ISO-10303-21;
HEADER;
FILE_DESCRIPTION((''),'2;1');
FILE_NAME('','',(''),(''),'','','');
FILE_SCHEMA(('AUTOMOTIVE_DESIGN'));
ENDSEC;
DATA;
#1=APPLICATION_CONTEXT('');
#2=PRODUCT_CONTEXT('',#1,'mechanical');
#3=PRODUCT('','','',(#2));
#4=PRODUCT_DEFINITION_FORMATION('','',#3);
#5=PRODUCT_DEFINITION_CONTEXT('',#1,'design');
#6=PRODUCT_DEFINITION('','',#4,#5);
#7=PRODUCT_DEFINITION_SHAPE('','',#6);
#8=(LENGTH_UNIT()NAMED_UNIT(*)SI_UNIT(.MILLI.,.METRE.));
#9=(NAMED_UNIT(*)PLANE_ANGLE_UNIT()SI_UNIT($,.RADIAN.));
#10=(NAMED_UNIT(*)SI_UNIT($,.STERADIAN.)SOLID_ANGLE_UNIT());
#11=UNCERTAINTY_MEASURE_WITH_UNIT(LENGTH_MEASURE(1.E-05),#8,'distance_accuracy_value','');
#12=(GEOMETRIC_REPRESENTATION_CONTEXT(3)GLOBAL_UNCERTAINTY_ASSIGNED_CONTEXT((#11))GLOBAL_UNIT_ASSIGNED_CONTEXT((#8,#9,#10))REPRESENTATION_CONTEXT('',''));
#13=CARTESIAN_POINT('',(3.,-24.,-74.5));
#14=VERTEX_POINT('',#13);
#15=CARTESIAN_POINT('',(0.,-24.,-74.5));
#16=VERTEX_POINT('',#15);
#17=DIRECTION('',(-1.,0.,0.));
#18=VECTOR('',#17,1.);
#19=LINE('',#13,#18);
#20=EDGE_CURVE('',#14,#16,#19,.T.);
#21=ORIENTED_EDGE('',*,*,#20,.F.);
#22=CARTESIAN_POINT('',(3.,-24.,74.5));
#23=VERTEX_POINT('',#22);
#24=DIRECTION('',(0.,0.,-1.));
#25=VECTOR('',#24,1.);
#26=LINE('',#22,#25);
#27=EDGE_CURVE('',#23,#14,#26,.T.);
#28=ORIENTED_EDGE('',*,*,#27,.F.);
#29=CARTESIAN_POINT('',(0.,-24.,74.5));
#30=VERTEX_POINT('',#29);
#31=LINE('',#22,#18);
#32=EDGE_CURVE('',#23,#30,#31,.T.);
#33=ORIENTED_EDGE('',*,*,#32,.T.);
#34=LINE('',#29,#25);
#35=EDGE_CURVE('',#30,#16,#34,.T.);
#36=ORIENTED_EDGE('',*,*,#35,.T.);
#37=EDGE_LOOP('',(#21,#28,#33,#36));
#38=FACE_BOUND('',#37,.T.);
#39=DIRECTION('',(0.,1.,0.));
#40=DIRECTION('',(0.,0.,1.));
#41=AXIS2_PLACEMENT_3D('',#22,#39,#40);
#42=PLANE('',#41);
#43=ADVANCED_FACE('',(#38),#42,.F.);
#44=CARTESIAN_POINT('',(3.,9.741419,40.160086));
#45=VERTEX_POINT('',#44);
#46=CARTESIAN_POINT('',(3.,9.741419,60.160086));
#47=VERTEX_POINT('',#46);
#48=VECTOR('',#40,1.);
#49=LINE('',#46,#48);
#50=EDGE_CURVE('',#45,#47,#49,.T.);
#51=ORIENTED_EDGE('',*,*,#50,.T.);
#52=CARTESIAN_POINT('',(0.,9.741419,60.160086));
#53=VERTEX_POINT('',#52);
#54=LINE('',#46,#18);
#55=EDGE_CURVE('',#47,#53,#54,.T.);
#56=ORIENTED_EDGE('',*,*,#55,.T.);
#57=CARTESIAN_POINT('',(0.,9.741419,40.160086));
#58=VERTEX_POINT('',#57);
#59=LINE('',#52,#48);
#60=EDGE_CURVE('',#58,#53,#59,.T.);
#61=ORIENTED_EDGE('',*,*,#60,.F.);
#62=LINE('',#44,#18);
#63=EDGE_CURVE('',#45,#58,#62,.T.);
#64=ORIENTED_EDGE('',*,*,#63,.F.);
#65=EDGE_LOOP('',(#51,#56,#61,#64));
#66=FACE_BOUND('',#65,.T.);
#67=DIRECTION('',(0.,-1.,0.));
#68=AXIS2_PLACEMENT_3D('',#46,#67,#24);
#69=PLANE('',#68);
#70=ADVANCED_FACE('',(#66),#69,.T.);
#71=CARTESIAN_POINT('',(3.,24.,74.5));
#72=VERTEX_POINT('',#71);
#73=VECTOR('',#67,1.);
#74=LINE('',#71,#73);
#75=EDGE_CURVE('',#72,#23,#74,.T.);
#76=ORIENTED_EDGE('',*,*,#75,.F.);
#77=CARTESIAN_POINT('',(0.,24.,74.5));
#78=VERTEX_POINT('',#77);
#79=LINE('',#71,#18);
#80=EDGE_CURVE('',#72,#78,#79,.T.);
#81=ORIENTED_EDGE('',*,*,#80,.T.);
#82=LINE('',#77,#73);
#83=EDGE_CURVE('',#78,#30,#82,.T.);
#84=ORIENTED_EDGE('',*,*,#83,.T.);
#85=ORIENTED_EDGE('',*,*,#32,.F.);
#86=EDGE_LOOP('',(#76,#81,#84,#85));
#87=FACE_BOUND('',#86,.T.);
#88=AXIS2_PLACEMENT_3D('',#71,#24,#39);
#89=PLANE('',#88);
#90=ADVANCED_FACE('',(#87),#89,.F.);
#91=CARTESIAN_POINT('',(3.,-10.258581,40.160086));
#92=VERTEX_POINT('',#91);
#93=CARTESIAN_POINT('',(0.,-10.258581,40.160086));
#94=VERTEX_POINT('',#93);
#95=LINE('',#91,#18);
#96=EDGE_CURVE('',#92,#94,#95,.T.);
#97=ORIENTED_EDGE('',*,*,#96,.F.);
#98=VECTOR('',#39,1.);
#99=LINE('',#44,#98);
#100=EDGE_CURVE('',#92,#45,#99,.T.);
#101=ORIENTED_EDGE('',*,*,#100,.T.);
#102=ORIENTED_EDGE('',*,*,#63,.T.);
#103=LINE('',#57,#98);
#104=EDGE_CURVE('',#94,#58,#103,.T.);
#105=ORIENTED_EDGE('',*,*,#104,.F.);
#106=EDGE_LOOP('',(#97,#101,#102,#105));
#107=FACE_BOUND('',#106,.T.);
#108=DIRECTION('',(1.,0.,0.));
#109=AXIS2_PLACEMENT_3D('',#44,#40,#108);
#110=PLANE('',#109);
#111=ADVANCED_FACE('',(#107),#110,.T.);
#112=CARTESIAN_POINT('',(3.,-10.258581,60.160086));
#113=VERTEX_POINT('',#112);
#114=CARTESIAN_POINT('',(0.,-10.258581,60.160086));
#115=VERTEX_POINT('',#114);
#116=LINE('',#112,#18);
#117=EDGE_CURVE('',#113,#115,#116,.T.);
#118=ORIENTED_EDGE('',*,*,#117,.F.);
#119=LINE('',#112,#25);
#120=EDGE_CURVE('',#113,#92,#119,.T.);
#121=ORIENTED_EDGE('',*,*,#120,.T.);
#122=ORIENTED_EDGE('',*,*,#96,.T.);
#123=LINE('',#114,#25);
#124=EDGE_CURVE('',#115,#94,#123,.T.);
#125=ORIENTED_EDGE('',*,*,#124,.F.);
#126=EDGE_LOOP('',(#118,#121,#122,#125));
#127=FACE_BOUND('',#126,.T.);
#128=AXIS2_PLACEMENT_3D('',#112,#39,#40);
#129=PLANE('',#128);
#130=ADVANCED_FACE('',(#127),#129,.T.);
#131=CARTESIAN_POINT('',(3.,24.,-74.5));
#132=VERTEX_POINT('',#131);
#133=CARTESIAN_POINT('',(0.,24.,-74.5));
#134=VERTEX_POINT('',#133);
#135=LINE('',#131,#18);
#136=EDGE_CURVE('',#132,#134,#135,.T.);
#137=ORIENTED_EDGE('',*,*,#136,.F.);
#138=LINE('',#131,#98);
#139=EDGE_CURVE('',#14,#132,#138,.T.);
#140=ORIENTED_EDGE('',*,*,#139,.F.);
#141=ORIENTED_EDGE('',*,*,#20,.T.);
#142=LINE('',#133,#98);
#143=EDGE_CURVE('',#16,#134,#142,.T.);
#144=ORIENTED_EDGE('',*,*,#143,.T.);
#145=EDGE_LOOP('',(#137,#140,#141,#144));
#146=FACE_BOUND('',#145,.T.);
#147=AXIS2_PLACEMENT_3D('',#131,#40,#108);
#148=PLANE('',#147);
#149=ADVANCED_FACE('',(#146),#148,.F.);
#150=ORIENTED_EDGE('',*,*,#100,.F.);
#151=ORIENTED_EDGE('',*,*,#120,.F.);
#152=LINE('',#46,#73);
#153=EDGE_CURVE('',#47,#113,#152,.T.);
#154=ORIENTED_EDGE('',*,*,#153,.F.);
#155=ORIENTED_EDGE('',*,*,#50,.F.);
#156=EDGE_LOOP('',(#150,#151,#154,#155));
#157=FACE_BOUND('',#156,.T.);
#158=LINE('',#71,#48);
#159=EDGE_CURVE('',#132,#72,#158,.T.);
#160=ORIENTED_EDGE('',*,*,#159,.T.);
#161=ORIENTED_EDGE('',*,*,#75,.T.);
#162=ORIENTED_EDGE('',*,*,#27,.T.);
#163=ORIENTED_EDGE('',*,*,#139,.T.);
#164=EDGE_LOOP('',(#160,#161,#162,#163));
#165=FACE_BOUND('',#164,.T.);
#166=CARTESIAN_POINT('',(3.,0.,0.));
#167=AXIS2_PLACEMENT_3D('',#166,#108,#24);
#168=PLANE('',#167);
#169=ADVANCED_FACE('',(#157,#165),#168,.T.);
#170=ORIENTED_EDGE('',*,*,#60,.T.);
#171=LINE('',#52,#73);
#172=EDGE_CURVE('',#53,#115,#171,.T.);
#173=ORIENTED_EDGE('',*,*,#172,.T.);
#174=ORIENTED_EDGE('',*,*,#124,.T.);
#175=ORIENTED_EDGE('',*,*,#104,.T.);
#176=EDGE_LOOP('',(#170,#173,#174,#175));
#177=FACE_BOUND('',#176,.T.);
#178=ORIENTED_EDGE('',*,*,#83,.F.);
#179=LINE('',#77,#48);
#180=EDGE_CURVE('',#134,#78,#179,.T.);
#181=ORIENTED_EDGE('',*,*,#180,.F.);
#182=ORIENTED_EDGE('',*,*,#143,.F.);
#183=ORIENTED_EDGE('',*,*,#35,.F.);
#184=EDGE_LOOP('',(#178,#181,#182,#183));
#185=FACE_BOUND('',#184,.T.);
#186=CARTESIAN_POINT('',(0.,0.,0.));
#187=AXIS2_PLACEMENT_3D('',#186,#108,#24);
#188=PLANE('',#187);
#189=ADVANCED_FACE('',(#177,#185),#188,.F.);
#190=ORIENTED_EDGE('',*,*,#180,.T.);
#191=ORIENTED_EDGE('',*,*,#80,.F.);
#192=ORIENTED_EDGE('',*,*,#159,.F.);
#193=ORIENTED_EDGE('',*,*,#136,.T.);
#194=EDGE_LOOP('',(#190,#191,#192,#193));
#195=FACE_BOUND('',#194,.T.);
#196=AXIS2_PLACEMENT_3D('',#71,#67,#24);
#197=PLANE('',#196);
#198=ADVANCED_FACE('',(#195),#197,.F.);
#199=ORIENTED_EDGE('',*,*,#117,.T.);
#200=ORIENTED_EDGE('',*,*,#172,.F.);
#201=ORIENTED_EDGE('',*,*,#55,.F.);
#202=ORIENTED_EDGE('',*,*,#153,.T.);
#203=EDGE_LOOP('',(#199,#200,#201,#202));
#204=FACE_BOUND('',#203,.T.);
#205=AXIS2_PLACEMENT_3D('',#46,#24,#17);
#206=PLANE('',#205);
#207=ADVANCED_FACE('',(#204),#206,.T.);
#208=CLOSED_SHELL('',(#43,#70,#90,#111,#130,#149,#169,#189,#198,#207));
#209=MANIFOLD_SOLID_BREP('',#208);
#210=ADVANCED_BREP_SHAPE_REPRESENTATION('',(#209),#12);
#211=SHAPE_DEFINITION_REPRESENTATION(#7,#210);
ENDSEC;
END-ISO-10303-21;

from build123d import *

# Parameters (mm, degrees)
SKETCH1_W           = 149
SKETCH1_H           = 48
SKETCH1_W_2         = 20
SKETCH1_H_2         = 20
BOSS_EXTRUDE2_DEPTH = 3


with BuildPart() as part:
    # Sketch1 → Boss-Extrude2 (new body)
    with BuildSketch(Plane(origin=(0, 0, 0), x_dir=(0, 0, -1), z_dir=(1, 0, 0))):
        Rectangle(SKETCH1_W, SKETCH1_H)
        with Locations((-50.160086438, -0.258581158)):
            Rectangle(SKETCH1_W_2, SKETCH1_H_2, mode=Mode.SUBTRACT)
    extrude(amount=BOSS_EXTRUDE2_DEPTH)


solid = part.part
